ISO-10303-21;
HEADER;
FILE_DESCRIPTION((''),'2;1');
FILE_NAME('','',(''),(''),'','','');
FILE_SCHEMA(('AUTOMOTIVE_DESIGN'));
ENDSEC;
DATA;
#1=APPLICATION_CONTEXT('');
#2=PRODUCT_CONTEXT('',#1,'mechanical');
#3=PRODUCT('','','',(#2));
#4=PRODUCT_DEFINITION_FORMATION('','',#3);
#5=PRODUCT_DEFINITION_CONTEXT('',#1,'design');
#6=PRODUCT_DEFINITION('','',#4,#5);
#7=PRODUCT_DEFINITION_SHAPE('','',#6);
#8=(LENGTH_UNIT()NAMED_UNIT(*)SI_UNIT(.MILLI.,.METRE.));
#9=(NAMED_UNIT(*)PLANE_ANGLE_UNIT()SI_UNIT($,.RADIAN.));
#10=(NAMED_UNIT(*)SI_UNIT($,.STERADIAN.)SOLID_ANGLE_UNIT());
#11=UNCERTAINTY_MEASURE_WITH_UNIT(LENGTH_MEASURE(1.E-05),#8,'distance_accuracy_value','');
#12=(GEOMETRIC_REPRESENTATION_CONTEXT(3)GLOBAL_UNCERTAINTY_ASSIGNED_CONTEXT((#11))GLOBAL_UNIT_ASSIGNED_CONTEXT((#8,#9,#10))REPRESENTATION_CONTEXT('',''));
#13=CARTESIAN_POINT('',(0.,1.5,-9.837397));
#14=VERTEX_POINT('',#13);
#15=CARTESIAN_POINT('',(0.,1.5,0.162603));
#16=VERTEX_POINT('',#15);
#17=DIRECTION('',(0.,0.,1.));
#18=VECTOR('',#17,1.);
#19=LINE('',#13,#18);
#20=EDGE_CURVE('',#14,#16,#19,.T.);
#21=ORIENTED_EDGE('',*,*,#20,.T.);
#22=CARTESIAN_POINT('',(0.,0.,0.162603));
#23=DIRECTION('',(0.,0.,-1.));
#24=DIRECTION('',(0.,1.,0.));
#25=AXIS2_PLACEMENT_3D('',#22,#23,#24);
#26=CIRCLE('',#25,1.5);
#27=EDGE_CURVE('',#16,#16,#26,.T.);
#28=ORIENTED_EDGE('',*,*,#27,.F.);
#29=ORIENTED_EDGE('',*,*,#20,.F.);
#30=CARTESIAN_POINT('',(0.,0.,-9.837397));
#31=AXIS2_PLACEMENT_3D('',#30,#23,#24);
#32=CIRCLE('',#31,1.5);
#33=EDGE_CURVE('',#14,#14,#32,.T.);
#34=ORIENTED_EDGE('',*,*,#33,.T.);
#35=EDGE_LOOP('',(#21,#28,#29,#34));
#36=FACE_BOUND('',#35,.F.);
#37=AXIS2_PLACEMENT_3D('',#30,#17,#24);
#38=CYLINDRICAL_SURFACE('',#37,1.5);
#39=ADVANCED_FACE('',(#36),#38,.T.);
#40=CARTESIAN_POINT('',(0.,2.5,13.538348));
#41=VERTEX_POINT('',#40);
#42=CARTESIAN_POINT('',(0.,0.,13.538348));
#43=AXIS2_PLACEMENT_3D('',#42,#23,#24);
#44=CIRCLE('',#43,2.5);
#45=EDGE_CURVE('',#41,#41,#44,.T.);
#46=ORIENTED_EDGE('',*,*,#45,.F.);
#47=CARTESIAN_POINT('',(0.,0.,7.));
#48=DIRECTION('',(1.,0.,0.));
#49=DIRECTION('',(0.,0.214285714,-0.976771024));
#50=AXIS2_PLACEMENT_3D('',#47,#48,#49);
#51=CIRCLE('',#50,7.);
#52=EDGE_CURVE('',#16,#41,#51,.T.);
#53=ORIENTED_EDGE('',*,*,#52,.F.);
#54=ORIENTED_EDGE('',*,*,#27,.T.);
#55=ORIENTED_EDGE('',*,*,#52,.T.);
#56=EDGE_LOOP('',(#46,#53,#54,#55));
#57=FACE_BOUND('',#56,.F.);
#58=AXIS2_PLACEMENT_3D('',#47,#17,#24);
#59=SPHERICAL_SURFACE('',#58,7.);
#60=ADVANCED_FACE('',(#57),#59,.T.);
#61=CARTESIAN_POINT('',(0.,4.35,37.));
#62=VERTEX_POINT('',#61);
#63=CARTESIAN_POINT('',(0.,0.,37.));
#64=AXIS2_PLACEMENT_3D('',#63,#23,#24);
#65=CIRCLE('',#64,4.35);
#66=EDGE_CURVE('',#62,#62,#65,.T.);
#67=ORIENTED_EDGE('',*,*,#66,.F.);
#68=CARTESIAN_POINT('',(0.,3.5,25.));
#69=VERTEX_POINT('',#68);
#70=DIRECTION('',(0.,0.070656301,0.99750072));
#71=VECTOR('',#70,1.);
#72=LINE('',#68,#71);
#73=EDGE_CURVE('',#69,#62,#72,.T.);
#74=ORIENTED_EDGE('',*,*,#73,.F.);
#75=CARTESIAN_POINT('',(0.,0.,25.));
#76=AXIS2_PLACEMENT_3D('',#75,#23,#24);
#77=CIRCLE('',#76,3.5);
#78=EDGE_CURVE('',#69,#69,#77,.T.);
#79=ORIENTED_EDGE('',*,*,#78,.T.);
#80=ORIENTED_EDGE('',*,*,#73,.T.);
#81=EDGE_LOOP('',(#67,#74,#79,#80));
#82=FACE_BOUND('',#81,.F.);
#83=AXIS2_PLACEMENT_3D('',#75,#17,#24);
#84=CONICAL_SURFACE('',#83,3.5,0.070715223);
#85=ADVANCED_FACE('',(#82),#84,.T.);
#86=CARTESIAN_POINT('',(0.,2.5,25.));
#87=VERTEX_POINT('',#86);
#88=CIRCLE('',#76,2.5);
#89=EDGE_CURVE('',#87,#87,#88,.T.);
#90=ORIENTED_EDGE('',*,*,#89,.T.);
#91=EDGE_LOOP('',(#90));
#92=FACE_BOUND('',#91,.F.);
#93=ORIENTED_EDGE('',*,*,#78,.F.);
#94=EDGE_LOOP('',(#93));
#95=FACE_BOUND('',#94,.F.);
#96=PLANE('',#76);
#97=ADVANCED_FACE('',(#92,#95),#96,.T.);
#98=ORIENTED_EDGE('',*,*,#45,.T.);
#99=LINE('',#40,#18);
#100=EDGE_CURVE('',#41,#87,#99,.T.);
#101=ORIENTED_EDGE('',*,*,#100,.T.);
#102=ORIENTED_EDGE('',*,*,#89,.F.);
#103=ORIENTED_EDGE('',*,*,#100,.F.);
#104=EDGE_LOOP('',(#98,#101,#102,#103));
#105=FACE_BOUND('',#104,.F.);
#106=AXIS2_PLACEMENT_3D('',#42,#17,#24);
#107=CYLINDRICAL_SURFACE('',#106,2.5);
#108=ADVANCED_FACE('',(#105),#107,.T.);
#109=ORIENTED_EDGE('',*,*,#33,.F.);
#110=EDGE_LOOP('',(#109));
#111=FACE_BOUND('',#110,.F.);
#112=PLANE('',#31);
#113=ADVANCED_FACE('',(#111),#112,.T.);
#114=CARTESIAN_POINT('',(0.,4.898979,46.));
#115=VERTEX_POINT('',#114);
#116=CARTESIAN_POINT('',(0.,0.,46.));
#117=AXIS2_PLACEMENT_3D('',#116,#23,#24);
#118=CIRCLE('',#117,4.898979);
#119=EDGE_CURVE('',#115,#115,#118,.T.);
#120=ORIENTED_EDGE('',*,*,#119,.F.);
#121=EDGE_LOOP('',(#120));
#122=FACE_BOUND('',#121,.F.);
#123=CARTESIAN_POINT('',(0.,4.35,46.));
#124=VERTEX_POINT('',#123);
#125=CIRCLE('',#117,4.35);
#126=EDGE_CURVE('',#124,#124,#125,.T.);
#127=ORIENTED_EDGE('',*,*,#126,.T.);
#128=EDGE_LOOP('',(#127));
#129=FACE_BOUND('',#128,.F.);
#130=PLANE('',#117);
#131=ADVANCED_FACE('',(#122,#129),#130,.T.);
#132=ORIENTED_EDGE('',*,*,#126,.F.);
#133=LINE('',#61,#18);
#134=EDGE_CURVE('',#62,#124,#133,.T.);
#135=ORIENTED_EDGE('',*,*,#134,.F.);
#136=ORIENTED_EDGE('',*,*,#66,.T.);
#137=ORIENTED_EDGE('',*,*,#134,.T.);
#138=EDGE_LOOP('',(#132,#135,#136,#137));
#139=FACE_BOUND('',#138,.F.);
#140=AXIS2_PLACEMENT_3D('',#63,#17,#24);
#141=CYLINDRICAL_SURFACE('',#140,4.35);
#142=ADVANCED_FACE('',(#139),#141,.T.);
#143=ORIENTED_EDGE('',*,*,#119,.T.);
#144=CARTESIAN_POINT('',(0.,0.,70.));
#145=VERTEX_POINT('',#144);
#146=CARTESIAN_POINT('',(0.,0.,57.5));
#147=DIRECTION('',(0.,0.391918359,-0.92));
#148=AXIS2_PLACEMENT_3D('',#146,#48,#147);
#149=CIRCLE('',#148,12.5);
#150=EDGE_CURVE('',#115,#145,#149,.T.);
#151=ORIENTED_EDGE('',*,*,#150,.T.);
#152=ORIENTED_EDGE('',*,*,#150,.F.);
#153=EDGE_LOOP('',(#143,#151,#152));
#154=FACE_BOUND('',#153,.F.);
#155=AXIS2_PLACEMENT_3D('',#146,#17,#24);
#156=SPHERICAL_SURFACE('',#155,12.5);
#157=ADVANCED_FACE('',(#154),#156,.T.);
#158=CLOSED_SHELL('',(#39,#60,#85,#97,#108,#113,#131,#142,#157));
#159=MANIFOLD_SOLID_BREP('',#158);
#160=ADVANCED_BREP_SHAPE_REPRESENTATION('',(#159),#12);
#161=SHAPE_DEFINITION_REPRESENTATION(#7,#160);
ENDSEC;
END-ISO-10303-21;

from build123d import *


with BuildPart() as f1:
    # F0 (on Right) → F1 (revolve)
    with BuildSketch(Plane.YZ):
        with BuildLine():
            ThreePointArc((4.8989794856, 46), (12.2474487139, 60), (0, 70))
            Line((0, 70), (0, 46))
            Line((0, 46), (4.35, 46))
            Line((4.35, 46), (4.8989794856, 46))
        make_face()
        with BuildLine():
            ThreePointArc((4.35, 45.7813183335), (2.2098053273, 45.1968800536), (0, 45))
            Line((0, 45), (0, 25))
            Line((0, 25), (2.5, 25))
            Line((2.5, 25), (3.5, 25))
            Line((3.5, 25), (4.35, 37))
            Line((4.35, 37), (4.35, 45.7813183335))
        make_face()
        with BuildLine():
            Line((2.5, 25), (0, 25))
            Line((0, 25), (0, 14))
            ThreePointArc((0, 14), (1.2711335675, 13.8836196477), (2.5, 13.5383484153))
            Line((2.5, 13.5383484153), (2.5, 25))
        make_face()
        with BuildLine():
            Line((2.5, 13.5383484153), (0, 13.5383484153))
            Line((0, 13.5383484153), (0, 0.1626028344))
            Line((0, 0.1626028344), (1.5, 0.1626028344))
            ThreePointArc((1.5, 0.1626028344), (6.9805187817, 6.4781211455), (2.5, 13.5383484153))
        make_face()
        with BuildLine():
            ThreePointArc((2.5, 13.5383484153), (1.2711335675, 13.8836196477), (0, 14))
            Line((0, 14), (0, 13.5383484153))
            Line((0, 13.5383484153), (2.5, 13.5383484153))
        make_face()
        with BuildLine():
            Line((4.35, 46), (0, 46))
            Line((0, 46), (0, 45))
            ThreePointArc((0, 45), (2.2098053273, 45.1968800536), (4.35, 45.7813183335))
            Line((4.35, 45.7813183335), (4.35, 46))
        make_face()
        with BuildLine():
            Line((1.5, -9.8373971656), (1.5, 0.1626028344))
            ThreePointArc((1.5, 0.1626028344), (0.7543937436, 0.0407694334), (0, 0))
            Line((0, 0), (0, -9.8373971656))
            Line((0, -9.8373971656), (1.5, -9.8373971656))
        make_face()
        with BuildLine():
            Line((1.5, 0.1626028344), (0, 0.1626028344))
            Line((0, 0.1626028344), (0, 0))
            ThreePointArc((0, 0), (0.7543937436, 0.0407694334), (1.5, 0.1626028344))
        make_face()
    revolve(axis=Axis((0, 0, 35), (0, 0, -1)))


solid = f1.part
